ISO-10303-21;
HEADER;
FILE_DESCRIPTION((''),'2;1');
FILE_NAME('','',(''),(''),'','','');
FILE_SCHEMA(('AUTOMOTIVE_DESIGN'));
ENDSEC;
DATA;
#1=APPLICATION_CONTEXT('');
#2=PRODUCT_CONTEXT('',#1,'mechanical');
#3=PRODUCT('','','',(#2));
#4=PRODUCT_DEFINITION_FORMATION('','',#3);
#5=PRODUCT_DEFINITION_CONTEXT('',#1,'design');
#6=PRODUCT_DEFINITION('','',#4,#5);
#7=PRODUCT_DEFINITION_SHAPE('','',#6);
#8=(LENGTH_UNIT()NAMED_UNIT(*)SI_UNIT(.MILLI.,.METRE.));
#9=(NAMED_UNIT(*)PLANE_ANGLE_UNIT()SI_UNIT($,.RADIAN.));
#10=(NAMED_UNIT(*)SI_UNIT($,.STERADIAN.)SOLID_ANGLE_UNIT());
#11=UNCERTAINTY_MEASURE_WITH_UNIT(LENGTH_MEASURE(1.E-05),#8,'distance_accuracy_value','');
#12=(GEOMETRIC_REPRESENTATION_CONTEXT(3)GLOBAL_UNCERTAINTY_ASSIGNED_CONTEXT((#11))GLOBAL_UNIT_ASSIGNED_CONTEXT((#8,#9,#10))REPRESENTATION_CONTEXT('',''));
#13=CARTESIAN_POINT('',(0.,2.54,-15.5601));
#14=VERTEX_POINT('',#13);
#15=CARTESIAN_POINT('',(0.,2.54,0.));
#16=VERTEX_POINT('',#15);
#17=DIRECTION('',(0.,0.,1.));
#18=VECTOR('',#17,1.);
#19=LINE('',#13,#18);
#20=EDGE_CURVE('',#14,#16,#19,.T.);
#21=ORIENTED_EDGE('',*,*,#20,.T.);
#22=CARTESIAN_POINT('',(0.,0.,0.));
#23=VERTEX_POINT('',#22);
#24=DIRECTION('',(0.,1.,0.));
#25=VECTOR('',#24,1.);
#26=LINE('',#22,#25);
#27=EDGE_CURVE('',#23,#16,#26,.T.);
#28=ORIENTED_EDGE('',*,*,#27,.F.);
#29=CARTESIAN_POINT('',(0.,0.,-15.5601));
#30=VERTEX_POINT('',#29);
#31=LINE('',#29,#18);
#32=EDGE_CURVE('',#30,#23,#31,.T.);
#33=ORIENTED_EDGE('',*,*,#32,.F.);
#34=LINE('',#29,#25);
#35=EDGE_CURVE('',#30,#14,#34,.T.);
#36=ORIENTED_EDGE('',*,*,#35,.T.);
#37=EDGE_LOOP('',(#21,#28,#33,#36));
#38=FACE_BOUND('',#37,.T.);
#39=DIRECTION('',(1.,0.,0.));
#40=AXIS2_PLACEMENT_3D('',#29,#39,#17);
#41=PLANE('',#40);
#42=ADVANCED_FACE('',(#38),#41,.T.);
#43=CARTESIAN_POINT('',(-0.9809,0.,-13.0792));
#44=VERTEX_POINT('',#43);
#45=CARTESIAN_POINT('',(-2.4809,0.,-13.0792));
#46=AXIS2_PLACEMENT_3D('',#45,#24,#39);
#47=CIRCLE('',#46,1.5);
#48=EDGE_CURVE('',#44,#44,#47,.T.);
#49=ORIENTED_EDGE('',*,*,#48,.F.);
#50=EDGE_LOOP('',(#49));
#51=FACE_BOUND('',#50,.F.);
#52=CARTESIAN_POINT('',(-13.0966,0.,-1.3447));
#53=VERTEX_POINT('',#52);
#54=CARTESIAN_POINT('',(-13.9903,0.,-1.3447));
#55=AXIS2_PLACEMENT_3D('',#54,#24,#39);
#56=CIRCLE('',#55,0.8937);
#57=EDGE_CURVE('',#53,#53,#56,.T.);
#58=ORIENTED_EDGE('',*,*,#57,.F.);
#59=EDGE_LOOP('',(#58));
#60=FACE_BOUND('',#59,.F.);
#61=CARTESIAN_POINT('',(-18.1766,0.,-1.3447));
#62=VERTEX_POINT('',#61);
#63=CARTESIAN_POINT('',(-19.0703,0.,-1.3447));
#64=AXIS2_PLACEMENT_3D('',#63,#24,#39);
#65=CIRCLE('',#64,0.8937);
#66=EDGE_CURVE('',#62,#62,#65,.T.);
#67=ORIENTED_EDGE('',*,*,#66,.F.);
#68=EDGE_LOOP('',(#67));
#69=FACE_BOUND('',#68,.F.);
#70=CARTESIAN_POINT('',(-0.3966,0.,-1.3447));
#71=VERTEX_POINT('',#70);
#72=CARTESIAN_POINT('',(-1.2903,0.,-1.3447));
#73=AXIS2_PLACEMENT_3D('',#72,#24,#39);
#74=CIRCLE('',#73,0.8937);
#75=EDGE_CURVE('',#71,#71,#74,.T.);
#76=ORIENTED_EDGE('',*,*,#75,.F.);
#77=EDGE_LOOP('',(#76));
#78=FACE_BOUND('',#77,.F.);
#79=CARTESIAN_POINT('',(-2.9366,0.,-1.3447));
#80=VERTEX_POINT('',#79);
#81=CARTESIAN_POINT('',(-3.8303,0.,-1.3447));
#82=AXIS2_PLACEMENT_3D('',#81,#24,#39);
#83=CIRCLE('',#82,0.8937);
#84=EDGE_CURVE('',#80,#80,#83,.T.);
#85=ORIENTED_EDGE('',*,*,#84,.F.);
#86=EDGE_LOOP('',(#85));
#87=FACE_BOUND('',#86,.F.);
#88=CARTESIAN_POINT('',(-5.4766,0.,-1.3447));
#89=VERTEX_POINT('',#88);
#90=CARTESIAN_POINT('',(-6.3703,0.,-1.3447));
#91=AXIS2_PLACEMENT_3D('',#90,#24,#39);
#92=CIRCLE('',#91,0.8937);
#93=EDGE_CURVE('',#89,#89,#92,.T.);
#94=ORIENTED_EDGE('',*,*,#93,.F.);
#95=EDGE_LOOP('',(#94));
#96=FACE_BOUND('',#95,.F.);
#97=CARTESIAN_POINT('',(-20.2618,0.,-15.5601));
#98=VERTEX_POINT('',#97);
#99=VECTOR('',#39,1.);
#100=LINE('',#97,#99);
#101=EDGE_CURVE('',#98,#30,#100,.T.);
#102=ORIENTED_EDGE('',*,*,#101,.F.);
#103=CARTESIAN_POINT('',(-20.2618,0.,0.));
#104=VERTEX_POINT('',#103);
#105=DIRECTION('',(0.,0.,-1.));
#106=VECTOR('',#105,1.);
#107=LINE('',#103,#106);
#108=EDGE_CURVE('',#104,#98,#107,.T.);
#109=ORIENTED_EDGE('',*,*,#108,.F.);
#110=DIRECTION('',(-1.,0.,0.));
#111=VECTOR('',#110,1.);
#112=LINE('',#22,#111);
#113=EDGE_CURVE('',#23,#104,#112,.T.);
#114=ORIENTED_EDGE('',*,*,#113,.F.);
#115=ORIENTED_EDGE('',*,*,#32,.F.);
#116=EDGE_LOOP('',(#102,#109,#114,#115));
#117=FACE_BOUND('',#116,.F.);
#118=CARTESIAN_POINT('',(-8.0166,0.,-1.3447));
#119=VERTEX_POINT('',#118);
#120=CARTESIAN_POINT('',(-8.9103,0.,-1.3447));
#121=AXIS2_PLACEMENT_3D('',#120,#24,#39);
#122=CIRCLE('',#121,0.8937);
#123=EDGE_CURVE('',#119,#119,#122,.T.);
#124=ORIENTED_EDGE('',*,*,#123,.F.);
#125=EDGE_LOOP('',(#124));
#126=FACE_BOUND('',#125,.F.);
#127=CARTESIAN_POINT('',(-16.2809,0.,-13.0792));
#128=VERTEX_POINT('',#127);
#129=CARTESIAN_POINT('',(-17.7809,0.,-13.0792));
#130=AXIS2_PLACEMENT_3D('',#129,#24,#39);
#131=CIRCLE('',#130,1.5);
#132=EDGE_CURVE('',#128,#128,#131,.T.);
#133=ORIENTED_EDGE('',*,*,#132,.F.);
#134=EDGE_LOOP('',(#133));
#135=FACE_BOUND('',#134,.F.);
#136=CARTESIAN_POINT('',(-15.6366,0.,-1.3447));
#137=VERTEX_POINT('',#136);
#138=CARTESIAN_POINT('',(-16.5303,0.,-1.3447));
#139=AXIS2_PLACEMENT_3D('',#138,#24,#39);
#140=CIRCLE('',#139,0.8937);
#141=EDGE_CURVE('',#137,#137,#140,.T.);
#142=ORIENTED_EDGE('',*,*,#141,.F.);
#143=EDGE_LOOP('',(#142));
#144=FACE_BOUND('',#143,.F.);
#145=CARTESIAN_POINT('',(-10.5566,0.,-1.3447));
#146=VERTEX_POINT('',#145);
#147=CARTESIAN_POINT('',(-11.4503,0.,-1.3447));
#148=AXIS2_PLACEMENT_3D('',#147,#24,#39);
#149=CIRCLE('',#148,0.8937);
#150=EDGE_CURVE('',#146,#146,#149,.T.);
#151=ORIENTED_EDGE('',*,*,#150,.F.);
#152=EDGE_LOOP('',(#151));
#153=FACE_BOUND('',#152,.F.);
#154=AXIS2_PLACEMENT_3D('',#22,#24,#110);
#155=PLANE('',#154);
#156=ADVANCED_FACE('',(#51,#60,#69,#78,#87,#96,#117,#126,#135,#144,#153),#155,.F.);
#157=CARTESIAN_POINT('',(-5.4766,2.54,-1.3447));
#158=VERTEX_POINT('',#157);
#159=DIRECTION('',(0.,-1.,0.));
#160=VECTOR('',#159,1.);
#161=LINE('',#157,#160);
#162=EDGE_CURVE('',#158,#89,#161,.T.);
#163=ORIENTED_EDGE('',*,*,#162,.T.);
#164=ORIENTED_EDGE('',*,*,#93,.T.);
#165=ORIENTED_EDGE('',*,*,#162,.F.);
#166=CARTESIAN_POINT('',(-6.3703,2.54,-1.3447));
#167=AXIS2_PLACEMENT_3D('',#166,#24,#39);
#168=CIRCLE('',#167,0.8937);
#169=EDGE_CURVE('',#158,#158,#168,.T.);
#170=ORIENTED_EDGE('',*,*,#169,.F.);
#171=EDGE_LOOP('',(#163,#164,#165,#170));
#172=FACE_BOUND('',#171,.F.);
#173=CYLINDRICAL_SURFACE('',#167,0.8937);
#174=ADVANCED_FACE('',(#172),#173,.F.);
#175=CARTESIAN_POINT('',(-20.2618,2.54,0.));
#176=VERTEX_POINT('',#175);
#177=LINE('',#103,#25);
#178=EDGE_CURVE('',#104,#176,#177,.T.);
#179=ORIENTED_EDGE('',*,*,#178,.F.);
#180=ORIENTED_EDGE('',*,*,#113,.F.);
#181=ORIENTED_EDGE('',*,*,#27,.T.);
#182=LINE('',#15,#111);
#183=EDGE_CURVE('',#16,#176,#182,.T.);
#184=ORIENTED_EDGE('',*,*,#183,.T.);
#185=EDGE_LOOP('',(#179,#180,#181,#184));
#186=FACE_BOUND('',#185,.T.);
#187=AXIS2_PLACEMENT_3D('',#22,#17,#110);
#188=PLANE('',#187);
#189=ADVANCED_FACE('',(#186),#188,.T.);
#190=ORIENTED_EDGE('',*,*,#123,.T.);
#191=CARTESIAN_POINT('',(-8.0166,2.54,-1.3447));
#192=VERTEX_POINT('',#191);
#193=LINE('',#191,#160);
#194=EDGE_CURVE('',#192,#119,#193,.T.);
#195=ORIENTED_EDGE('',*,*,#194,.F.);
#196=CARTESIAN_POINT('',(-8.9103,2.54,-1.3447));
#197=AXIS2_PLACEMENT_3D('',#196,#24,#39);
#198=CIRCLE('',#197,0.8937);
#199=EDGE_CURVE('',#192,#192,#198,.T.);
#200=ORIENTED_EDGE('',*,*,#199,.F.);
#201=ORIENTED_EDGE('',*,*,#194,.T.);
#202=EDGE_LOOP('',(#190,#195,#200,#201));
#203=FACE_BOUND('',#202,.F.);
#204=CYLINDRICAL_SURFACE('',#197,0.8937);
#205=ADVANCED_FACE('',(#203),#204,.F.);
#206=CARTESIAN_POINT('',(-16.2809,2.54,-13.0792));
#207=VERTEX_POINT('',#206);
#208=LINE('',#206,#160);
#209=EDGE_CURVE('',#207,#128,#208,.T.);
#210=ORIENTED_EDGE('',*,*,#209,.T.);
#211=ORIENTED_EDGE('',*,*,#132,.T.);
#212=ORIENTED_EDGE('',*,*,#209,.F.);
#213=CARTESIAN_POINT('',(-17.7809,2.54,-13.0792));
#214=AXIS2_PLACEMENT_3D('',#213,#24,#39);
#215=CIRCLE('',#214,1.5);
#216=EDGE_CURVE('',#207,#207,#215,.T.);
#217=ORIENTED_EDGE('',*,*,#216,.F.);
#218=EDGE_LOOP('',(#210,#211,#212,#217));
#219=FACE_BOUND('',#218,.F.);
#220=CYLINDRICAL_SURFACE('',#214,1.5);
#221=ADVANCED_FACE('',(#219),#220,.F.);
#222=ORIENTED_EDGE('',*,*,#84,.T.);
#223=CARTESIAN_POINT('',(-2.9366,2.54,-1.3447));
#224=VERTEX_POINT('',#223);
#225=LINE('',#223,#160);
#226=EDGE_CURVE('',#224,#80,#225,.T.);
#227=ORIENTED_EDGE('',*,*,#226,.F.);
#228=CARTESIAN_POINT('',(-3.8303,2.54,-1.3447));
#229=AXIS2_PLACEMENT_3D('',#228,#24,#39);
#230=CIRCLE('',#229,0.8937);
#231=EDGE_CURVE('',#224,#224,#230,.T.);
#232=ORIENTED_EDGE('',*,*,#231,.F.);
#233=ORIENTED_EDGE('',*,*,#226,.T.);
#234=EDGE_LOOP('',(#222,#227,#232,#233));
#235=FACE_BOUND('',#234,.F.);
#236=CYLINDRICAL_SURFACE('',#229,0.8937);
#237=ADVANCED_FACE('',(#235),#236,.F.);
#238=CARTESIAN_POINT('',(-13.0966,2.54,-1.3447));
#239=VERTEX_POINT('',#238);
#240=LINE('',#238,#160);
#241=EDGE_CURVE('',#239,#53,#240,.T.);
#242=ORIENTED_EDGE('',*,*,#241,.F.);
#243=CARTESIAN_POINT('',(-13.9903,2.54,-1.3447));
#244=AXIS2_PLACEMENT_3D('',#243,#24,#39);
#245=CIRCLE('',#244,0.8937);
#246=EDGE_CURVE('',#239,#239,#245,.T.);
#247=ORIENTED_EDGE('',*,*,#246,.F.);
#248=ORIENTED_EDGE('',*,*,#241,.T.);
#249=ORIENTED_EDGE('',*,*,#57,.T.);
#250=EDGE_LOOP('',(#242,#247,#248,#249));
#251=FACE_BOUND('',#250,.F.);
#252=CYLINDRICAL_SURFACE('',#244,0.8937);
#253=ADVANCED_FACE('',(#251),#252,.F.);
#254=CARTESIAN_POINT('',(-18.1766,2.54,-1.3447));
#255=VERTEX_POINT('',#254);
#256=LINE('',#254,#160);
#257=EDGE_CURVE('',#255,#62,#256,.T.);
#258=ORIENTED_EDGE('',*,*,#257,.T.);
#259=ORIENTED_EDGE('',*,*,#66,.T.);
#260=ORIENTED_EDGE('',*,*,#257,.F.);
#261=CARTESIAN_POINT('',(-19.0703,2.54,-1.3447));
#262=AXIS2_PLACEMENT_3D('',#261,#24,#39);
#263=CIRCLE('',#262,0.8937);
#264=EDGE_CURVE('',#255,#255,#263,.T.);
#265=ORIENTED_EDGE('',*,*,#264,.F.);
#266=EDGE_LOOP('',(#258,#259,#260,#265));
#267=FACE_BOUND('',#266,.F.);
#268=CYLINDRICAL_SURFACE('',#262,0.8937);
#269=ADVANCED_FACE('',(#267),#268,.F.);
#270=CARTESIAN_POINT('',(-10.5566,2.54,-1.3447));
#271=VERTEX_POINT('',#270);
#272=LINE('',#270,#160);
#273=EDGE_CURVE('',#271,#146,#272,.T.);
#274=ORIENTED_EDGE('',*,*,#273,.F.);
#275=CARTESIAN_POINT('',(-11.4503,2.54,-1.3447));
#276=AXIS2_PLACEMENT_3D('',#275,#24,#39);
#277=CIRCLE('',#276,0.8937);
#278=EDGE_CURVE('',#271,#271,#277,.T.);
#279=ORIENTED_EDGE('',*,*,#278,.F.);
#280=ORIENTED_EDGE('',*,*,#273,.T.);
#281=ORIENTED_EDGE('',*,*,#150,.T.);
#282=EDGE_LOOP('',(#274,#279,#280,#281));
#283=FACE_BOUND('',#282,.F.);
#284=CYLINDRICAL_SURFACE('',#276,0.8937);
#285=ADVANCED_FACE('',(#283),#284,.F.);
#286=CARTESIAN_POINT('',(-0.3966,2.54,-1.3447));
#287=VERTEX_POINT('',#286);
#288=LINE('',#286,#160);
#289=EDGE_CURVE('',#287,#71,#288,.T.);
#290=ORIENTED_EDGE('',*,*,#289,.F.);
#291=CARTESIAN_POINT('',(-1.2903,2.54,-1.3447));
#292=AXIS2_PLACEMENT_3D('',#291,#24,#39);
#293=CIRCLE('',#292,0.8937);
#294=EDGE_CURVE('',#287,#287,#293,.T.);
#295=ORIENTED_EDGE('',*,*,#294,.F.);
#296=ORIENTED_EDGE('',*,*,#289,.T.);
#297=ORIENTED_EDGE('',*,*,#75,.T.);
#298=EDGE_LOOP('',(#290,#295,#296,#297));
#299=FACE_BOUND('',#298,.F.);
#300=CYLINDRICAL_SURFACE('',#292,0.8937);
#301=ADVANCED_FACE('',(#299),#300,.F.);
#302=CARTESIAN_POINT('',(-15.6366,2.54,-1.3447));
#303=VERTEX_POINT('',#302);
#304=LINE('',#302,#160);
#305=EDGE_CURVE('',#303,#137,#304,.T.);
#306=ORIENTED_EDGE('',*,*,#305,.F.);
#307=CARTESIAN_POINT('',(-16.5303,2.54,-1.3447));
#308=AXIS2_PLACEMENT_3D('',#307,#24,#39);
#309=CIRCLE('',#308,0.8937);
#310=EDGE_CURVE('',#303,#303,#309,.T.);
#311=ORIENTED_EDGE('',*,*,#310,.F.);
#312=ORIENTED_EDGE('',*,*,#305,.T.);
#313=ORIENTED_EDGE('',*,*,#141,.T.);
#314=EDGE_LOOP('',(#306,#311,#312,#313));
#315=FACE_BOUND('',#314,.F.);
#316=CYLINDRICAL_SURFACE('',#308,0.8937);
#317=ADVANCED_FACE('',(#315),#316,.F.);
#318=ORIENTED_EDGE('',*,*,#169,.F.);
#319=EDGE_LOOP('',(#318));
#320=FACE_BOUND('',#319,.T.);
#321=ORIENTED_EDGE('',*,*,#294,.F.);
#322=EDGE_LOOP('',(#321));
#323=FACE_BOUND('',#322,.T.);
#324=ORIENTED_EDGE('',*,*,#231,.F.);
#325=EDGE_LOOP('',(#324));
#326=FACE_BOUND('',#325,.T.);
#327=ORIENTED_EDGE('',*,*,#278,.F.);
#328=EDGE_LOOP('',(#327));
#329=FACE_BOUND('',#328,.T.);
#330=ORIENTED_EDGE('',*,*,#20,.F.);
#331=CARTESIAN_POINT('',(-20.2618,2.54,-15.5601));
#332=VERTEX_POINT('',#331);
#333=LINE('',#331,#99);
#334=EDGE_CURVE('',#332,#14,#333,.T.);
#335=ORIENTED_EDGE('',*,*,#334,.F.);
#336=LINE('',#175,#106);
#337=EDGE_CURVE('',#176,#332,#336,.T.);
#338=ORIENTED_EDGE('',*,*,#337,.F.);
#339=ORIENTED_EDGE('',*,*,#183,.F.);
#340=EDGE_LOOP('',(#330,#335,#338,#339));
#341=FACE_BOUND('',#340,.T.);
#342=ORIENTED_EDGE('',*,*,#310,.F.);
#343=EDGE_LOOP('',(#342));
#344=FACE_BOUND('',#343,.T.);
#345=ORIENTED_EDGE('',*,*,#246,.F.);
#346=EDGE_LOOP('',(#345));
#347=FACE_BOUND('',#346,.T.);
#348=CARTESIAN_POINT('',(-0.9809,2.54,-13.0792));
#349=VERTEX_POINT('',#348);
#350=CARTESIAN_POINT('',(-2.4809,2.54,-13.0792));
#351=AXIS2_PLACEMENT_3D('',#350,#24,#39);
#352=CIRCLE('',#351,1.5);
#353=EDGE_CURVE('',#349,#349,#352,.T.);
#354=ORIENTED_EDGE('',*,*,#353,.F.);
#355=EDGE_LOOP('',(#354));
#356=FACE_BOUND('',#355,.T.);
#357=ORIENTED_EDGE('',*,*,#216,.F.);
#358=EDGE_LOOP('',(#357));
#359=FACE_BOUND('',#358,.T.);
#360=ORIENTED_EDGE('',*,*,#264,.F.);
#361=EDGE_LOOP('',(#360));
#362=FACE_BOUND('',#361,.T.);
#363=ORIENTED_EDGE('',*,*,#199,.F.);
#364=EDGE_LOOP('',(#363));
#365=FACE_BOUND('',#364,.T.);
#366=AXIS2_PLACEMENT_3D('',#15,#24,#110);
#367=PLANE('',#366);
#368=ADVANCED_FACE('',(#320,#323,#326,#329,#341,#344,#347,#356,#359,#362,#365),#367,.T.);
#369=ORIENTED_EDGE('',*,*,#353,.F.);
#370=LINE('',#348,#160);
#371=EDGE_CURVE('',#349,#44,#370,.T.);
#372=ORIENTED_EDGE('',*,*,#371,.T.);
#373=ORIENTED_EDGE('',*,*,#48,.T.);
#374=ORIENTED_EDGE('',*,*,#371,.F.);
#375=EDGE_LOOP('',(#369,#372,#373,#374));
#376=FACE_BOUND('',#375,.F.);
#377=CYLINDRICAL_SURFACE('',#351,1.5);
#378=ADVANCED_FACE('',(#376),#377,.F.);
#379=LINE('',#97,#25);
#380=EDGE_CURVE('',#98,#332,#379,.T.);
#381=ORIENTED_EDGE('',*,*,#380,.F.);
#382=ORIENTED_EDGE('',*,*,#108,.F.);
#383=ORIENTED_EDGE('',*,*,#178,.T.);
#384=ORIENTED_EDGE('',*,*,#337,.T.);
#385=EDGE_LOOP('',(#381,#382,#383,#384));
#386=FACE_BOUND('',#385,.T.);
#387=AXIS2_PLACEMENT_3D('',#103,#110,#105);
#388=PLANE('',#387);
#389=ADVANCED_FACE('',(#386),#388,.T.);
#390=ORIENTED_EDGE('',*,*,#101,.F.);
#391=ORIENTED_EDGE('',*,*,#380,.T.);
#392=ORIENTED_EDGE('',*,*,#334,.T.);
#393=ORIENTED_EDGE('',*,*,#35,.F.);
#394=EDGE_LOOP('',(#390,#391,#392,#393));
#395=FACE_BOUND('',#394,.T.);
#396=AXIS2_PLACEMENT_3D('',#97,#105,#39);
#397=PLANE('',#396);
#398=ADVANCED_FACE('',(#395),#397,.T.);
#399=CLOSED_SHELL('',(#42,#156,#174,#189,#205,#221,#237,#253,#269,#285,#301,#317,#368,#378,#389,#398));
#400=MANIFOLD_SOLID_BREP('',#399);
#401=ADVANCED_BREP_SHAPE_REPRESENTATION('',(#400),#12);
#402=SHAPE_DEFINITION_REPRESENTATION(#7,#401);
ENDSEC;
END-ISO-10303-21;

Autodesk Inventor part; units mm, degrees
ref_plane "YZ Plane" through (0, 0, 0) normal (1, 0, 0) x (0, 1, 0)
ref_plane "XZ Plane" through (0, 0, 0) normal (0, 1, 0) x (-1, 0, 0)
ref_plane "XY Plane" through (0, 0, 0) normal (0, 0, 1) x (1, 0, 0)
sketch "Sketch1" plane through (0, 0, 0) normal (0, 1, 0) x (-1, 0, 0)
  line L0 (0, 0) -> (20.2618, 0)
  line L1 (20.2618, 0) -> (20.2618, -15.5601)
  line L2 (20.2618, -15.5601) -> (0, -15.5601)
  line L3 (0, -15.5601) -> (0, 0)
  dimension "d0" = 20.2618
  dimension "d1" = 15.5601
extrude "Extrusion1" add sketch "Sketch1" along normal blind 2.54
sketch "Sketch2" plane through (0, 2.54, 0) normal (0, 1, 0) x (1, 0, 0)
  circle A0 centre (-19.0703, 1.3447) radius 0.8937
  line L0 (-20.2618, 15.5601) -> (-20.2618, 0) construction
  line L1 (-20.2618, 0) -> (0, 0) construction
  line L2 (-20.2618, 0) -> (0, 0) construction
  circle A1 centre (-16.5303, 1.3447) radius 0.8937
  circle A2 centre (-13.9903, 1.3447) radius 0.8937
  circle A3 centre (-11.4503, 1.3447) radius 0.8937
  circle A4 centre (-8.9103, 1.3447) radius 0.8937
  circle A5 centre (-6.3703, 1.3447) radius 0.8937
  circle A6 centre (-3.8303, 1.3447) radius 0.8937
  circle A7 centre (-1.2903, 1.3447) radius 0.8937
  circle A8 centre (-17.7809, 13.0792) radius 1.5
  circle A9 centre (-2.4809, 13.0792) radius 1.5
  line L3 (0, 15.5601) -> (-20.2618, 15.5601) projected
  line L4 (0, 0) -> (0, 15.5601) projected
  line L5 (-17.7809, 13.0792) -> (-2.4809, 13.0792) construction
  line L6 (-10.1309, 0) -> (-10.1309, 15.5601) construction
  point P0 (-10.1309, 13.0792)
  dimension "d6" = 2.54
  dimension "d11" = 3
  dimension "d12" = 3
  dimension "d17" = 15.3
  dimension "d18" = 2.4809
  dimension "d19" = 2.4809
extrude "Extrusion2" cut sketch "Sketch2" against normal up to next
sketch "Sketch3" plane through (0, 2.54, 0) normal (0, 1, 0) x (1, 0, 0)
  line L0 (-14.6694, 9.1277) -> (-2.5672, 9.1277) construction
  line L1 (-2.5672, 9.1277) -> (-2.5672, 4.9306) construction
  line L2 (-2.5672, 4.9306) -> (-14.6694, 4.9306) construction
  line L3 (-14.6694, 4.9306) -> (-14.6694, 9.1277) construction
  point P0 (0, 0)
equation "\"d19\" = d18"
properties part number "IMU_temp"
